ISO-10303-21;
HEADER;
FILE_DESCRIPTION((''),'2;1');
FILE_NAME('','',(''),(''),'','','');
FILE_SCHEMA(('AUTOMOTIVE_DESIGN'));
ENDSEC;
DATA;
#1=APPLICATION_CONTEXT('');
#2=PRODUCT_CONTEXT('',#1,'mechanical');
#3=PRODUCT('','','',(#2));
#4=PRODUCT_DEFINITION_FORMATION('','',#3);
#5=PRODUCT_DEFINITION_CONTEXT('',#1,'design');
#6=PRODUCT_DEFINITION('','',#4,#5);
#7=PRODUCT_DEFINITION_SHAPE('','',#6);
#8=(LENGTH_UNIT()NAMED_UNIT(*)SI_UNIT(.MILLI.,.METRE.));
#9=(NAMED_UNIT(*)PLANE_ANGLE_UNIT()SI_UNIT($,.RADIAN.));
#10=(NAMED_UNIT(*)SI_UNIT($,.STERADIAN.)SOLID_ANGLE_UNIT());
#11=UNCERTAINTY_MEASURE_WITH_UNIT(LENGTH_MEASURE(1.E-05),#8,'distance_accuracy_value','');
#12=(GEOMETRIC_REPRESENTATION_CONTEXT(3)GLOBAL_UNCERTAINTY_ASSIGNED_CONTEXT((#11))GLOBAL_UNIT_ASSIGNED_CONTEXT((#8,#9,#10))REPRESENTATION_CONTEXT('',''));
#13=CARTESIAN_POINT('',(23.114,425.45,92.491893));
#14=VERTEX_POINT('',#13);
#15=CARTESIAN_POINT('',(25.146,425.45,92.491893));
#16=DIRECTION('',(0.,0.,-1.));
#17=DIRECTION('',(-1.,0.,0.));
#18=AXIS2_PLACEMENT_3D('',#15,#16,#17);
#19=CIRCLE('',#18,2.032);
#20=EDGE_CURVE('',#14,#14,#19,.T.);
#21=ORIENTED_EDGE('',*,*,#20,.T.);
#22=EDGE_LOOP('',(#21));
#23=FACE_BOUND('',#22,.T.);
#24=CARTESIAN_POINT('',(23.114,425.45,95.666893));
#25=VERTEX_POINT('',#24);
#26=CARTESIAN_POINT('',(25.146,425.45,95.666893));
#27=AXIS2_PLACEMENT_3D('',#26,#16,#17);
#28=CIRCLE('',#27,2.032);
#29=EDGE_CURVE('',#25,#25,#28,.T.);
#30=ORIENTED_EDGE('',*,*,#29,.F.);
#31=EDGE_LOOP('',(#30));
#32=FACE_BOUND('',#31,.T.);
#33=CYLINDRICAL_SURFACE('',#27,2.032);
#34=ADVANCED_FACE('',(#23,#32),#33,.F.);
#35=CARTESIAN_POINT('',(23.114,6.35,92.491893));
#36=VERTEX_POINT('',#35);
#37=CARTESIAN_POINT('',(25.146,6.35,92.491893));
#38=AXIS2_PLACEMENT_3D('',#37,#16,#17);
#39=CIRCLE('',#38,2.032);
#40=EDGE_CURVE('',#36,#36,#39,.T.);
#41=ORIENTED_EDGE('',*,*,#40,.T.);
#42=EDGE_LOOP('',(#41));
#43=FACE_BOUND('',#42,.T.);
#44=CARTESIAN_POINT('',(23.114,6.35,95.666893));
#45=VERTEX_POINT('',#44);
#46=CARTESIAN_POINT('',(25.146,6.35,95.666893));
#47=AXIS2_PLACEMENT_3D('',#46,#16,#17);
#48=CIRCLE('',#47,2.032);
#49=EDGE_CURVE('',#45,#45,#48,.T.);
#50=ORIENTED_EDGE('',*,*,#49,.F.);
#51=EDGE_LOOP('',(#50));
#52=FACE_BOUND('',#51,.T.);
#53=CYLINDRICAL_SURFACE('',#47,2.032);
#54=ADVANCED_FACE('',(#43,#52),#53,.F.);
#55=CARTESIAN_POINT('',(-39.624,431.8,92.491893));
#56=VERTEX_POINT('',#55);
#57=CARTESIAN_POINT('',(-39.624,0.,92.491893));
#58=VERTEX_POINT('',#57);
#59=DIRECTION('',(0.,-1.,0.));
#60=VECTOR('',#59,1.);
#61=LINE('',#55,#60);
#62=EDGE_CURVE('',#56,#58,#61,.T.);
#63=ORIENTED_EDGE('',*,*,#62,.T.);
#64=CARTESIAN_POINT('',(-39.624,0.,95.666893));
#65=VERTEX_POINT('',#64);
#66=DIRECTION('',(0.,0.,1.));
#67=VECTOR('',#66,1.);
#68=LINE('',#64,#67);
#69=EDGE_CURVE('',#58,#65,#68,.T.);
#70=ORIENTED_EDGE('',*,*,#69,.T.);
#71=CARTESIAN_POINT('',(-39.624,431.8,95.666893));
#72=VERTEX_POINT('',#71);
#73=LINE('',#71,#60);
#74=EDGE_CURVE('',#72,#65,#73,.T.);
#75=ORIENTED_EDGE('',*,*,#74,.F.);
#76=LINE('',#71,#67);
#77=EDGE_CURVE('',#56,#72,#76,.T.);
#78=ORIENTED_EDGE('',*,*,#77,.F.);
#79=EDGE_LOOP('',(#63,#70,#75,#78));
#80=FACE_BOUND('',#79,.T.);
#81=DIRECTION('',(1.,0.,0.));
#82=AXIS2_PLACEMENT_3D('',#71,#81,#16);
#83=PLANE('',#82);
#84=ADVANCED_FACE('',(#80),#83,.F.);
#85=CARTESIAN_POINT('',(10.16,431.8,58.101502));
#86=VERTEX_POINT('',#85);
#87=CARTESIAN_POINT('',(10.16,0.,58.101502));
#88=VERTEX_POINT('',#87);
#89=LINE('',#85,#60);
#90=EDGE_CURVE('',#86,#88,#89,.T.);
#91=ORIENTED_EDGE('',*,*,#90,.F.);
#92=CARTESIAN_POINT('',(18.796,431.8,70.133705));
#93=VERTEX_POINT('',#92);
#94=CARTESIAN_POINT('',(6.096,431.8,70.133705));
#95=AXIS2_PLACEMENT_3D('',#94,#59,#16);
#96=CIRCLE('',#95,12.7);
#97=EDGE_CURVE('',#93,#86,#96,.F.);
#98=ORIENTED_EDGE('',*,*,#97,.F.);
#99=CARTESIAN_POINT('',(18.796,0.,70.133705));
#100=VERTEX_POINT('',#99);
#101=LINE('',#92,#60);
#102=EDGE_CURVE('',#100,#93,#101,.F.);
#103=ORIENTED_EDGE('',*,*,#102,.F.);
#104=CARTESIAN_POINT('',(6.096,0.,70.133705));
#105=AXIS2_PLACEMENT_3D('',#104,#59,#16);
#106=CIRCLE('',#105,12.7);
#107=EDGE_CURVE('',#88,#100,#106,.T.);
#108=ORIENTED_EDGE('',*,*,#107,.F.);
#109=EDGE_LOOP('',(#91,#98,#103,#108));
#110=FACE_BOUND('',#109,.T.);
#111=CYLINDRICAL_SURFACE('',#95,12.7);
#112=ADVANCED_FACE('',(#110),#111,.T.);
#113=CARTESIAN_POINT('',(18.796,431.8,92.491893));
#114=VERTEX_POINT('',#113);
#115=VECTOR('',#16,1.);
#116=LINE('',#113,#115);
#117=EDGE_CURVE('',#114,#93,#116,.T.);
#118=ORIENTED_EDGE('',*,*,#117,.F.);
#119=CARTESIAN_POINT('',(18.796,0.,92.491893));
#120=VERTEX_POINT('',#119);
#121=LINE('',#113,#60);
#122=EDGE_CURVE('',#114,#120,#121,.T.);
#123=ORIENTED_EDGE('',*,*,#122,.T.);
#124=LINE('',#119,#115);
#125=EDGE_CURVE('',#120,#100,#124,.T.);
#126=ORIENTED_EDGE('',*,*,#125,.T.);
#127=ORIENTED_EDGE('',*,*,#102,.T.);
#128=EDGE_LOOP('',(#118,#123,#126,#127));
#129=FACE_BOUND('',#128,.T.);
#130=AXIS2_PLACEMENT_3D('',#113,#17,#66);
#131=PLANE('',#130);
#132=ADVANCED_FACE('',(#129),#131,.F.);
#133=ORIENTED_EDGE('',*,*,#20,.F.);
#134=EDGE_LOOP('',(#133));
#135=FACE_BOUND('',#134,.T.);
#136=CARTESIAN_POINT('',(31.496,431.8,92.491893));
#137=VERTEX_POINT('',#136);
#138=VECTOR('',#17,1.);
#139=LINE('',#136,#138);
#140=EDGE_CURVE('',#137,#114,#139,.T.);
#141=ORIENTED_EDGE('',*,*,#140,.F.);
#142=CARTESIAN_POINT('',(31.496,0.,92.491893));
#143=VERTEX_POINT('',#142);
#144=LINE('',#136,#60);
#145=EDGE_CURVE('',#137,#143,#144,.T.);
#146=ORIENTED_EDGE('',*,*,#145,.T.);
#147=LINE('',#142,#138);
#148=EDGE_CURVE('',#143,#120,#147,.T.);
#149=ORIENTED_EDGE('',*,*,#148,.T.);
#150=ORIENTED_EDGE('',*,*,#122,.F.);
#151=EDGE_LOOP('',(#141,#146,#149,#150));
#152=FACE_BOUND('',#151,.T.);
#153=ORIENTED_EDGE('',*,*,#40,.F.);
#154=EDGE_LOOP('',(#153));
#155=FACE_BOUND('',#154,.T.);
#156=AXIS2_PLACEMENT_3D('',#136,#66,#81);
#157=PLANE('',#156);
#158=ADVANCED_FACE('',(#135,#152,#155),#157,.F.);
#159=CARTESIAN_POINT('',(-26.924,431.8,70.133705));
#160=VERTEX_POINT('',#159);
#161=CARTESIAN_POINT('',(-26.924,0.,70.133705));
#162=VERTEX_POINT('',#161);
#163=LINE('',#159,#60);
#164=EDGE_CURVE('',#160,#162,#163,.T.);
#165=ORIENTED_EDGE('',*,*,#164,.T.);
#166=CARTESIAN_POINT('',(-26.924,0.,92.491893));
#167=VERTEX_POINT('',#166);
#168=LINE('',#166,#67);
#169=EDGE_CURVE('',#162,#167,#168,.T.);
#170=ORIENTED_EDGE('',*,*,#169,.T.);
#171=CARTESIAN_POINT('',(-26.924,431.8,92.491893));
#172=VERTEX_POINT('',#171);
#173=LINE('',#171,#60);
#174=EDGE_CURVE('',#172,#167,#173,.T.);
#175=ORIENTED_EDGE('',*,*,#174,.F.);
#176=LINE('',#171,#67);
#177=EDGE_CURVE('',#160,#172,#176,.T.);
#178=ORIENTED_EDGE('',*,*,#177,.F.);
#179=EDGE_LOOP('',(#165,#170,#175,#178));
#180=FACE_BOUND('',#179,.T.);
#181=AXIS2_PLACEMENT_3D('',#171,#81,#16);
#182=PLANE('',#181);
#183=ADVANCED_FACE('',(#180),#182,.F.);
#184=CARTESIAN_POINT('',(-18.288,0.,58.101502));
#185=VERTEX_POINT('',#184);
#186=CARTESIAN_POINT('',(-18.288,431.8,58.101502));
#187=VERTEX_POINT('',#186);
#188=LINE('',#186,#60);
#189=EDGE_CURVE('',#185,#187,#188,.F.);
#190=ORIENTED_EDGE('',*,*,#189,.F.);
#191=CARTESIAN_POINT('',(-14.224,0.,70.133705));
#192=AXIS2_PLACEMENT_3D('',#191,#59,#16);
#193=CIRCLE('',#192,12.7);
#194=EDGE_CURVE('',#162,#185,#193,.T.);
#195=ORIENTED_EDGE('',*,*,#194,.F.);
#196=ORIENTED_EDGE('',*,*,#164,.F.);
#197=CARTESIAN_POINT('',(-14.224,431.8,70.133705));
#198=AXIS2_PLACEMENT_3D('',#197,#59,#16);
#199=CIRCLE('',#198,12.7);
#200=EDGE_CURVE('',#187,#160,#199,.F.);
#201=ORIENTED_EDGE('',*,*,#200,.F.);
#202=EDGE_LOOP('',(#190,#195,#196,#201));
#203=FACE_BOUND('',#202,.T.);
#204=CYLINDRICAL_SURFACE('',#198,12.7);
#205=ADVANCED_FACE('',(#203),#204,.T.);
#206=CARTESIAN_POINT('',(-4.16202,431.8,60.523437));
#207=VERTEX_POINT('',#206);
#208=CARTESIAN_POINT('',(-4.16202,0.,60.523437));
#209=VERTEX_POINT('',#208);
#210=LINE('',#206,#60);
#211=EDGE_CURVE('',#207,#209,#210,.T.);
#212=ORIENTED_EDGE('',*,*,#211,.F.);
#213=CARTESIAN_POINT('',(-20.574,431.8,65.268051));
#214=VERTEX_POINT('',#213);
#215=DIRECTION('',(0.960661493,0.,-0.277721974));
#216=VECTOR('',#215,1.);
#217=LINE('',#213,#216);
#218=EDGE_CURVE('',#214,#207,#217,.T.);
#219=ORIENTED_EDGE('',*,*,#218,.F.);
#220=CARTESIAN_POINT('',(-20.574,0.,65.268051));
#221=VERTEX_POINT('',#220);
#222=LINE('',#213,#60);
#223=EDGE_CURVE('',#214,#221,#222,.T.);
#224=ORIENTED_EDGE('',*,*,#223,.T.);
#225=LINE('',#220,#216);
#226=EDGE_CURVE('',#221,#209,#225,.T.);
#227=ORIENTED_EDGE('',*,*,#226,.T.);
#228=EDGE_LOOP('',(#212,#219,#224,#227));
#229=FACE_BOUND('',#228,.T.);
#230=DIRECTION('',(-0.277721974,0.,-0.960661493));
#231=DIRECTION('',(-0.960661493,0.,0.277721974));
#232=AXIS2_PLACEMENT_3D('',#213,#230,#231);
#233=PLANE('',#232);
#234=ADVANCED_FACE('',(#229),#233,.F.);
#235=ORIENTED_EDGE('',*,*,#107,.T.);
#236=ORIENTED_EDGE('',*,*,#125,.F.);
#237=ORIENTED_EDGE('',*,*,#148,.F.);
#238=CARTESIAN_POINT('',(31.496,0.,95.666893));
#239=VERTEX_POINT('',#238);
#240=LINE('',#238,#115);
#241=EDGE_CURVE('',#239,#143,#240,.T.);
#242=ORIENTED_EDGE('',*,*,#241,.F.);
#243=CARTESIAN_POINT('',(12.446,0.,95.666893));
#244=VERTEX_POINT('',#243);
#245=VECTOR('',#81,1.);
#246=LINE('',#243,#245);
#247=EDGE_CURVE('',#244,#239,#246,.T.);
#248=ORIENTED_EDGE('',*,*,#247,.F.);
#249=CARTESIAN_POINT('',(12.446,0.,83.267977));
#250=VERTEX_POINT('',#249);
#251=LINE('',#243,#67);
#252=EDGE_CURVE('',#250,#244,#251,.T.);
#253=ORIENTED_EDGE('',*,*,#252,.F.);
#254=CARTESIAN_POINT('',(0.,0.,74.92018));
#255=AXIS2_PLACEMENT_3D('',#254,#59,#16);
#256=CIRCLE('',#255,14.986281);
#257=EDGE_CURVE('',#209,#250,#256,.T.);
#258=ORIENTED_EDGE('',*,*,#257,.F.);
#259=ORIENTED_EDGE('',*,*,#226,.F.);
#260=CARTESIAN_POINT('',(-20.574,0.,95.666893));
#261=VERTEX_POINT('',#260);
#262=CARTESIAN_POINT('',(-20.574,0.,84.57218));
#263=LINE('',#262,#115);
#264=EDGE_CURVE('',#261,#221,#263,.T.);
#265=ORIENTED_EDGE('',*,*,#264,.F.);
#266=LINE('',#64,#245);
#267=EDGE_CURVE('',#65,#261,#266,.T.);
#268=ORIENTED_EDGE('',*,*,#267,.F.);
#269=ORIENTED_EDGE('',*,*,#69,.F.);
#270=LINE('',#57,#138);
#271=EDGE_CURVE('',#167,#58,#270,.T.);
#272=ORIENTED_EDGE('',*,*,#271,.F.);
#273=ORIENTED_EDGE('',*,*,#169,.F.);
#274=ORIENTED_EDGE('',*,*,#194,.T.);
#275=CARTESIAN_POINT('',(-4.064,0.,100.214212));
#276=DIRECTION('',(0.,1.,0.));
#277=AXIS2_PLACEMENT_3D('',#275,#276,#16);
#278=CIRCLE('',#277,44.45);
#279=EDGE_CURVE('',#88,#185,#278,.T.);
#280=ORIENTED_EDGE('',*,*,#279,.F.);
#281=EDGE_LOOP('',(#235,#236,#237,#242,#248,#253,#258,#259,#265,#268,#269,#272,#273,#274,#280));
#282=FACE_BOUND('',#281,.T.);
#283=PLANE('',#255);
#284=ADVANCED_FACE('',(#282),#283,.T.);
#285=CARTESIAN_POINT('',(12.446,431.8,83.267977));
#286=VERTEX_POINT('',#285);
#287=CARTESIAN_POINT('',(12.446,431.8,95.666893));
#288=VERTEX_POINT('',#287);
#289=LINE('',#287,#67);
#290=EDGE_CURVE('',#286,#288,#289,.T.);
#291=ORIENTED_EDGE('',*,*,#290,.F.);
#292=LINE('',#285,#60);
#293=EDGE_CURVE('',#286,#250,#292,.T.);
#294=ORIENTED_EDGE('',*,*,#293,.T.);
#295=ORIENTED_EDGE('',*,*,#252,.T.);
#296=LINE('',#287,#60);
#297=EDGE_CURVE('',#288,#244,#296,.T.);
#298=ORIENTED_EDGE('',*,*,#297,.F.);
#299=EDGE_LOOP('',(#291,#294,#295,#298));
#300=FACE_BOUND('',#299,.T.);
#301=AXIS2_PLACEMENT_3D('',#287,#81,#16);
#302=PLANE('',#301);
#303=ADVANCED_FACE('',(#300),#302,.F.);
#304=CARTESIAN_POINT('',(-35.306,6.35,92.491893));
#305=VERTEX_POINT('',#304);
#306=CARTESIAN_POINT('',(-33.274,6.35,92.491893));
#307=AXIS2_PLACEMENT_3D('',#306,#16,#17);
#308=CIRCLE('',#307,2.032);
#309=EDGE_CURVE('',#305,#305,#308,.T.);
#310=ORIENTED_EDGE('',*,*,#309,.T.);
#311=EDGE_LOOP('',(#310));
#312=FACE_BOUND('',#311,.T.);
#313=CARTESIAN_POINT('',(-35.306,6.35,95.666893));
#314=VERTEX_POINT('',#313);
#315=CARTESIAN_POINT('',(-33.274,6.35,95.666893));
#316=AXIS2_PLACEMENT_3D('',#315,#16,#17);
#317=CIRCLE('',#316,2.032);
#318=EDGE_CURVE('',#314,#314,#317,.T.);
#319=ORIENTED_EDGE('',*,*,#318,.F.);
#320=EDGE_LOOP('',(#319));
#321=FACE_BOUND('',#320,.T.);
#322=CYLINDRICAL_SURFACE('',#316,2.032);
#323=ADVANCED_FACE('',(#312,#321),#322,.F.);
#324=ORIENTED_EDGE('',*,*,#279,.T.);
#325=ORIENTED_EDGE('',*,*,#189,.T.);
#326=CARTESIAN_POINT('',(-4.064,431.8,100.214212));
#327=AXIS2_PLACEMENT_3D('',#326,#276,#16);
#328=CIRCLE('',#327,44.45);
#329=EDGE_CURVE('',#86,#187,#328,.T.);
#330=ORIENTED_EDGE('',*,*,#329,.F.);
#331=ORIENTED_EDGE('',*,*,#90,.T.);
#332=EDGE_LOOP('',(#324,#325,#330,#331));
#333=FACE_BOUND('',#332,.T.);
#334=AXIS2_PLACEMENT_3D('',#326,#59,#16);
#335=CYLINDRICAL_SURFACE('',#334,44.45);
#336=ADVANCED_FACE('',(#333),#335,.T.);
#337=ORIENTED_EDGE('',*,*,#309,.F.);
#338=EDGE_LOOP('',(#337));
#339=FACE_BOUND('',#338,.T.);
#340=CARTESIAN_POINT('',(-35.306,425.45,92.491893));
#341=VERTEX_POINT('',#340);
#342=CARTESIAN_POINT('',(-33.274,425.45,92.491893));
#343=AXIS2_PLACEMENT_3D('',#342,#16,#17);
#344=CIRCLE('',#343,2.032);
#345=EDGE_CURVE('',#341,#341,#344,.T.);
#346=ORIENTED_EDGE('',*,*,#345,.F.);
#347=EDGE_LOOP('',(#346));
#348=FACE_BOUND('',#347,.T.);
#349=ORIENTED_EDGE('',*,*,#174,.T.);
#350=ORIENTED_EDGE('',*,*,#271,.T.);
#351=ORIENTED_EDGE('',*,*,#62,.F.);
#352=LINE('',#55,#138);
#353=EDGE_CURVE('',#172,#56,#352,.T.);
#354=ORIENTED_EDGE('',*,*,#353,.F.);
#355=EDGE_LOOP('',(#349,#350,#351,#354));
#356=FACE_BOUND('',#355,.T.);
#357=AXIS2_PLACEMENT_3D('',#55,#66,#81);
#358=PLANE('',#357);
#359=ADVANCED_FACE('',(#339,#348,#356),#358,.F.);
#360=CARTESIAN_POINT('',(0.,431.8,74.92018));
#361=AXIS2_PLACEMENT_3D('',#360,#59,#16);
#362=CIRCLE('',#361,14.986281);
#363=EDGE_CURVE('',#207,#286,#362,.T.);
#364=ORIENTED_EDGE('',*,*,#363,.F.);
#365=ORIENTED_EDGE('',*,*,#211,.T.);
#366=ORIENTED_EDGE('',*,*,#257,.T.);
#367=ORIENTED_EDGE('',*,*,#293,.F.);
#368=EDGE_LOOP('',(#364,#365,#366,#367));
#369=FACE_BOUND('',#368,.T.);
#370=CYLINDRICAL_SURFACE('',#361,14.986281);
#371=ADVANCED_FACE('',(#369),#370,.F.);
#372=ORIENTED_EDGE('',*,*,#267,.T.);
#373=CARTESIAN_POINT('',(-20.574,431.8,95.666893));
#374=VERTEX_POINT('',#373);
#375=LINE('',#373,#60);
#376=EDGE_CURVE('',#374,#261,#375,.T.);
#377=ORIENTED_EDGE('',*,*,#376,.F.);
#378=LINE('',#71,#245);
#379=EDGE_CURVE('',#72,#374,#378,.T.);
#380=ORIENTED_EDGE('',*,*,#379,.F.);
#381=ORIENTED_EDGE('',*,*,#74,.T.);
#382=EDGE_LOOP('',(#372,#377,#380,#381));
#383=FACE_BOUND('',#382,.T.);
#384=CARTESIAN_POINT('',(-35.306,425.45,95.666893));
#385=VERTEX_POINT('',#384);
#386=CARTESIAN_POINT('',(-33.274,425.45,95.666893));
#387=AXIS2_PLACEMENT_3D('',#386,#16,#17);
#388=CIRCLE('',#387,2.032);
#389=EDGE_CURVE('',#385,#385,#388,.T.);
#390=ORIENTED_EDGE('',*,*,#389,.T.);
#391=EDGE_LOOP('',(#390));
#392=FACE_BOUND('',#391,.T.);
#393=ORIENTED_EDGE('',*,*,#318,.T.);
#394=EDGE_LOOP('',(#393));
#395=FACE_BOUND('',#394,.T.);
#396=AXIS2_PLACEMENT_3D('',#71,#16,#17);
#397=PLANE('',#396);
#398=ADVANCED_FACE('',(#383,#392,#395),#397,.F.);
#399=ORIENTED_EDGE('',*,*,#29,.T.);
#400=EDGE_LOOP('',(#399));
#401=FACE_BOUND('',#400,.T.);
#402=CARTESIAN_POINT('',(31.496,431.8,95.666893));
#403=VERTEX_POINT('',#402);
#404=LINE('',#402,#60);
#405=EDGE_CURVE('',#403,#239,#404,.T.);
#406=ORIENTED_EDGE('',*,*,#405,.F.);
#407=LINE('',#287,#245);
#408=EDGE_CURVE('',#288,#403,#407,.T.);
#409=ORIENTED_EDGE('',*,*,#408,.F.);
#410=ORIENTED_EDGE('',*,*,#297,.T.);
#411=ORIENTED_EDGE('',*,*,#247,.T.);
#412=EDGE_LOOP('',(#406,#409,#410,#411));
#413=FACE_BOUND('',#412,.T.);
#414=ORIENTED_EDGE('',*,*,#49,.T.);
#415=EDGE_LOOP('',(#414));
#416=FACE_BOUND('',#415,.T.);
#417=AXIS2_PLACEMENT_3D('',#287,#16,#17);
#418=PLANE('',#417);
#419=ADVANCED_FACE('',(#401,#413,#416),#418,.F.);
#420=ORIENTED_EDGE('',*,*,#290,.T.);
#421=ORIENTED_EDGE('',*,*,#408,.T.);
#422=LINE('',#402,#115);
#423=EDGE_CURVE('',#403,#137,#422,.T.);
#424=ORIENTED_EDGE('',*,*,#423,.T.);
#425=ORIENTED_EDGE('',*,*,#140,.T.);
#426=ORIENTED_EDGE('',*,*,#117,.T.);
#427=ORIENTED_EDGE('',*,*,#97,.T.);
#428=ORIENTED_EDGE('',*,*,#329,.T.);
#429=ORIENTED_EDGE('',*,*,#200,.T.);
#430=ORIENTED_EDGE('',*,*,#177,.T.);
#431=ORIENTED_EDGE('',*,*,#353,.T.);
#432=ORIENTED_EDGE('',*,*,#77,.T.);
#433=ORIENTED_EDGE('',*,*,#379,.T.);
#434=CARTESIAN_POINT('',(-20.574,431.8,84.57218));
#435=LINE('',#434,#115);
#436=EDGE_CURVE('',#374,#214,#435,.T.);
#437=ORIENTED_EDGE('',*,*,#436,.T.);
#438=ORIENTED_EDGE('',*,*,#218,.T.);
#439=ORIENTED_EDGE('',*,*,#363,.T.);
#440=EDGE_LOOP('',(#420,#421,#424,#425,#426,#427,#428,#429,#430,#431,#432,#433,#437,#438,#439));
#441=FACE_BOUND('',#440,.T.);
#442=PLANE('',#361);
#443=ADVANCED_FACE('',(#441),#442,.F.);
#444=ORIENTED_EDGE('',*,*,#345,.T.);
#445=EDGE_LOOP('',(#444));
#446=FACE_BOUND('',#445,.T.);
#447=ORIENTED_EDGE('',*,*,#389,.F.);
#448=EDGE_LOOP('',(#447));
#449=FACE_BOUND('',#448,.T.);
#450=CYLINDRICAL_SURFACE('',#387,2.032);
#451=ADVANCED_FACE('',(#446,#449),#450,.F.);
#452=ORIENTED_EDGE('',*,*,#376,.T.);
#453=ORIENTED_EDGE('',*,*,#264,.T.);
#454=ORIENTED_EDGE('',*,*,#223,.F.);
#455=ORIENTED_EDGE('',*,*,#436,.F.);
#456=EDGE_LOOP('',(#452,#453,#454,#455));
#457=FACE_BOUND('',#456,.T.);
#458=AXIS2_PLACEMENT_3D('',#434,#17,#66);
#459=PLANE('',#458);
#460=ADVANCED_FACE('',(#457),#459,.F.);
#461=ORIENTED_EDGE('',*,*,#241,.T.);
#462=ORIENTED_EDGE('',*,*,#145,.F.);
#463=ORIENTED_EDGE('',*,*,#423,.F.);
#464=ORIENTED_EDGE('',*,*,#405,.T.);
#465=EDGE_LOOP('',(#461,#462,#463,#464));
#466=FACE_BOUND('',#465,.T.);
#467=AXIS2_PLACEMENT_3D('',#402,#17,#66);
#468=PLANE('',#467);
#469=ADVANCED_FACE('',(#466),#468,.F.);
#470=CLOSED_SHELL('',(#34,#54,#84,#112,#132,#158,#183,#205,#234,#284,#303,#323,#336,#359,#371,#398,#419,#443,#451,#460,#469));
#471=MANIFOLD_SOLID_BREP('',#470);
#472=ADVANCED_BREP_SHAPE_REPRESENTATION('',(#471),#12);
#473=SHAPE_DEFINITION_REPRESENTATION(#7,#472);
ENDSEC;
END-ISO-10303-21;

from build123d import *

# Parameters (mm, degrees)
BOSS_EXTRUDE1_DEPTH = 431.8
FILLET2_R           = 12.7
SKETCH2_R           = 2.032
CUT_EXTRUDE1_DEPTH  = 436.166892099


with BuildPart() as part:
    # Sketch1 → Boss-Extrude1 (new body)
    with BuildSketch(Plane(origin=(0, 0, 0), x_dir=(1, 0, 0), z_dir=(0, 1, 0))):
        with BuildLine():
            Line((12.446, -95.666893232), (12.446, -83.267976842))
            ThreePointArc((12.446, -83.267976842), (12.103082443, -66.082532596), (-4.162019583, -60.523437125))
            Line((-4.162019583, -60.523437125), (-20.574, -65.268050741))
            Line((-20.574, -65.268050741), (-20.574, -84.572180345))
            Line((-20.574, -84.572180345), (-20.574, -95.666893232))
            Line((-20.574, -95.666893232), (-39.624, -95.666893232))
            Line((-39.624, -95.666893232), (-39.624, -92.491893232))
            Line((-39.624, -92.491893232), (-26.924, -92.491893232))
            Line((-26.924, -92.491893232), (-26.924, -62.093050741))
            ThreePointArc((-26.924, -62.093050741), (-4.064, -55.764211531), (18.796, -62.093050741))
            Line((18.796, -62.093050741), (18.796, -92.491893232))
            Line((18.796, -92.491893232), (31.496, -92.491893232))
            Line((31.496, -92.491893232), (31.496, -95.666893232))
            Line((31.496, -95.666893232), (12.446, -95.666893232))
        make_face()
    extrude(amount=BOSS_EXTRUDE1_DEPTH)

    # Fillet2
    fillet2_edges = [part.edges().sort_by_distance(p)[0] for p in [
        (-26.924, 215.9, 62.093050741),
        (18.796, 215.9, 62.093050741),
    ]]
    fillet(fillet2_edges, radius=FILLET2_R)

    # Sketch2 → Cut-Extrude1 (cut, through all)
    with BuildSketch(Plane(origin=(0, 0, 92.491893232), x_dir=(-1, 0, 0), z_dir=(0, 0, -1))):
        with Locations((-25.146, 425.45)):
            Circle(SKETCH2_R)
        with Locations((-25.146, 6.35)):
            Circle(SKETCH2_R)
        with Locations((33.274, 425.45)):
            Circle(SKETCH2_R)
        with Locations((33.274, 6.35)):
            Circle(SKETCH2_R)
    extrude(amount=-CUT_EXTRUDE1_DEPTH, mode=Mode.SUBTRACT)


solid = part.part
